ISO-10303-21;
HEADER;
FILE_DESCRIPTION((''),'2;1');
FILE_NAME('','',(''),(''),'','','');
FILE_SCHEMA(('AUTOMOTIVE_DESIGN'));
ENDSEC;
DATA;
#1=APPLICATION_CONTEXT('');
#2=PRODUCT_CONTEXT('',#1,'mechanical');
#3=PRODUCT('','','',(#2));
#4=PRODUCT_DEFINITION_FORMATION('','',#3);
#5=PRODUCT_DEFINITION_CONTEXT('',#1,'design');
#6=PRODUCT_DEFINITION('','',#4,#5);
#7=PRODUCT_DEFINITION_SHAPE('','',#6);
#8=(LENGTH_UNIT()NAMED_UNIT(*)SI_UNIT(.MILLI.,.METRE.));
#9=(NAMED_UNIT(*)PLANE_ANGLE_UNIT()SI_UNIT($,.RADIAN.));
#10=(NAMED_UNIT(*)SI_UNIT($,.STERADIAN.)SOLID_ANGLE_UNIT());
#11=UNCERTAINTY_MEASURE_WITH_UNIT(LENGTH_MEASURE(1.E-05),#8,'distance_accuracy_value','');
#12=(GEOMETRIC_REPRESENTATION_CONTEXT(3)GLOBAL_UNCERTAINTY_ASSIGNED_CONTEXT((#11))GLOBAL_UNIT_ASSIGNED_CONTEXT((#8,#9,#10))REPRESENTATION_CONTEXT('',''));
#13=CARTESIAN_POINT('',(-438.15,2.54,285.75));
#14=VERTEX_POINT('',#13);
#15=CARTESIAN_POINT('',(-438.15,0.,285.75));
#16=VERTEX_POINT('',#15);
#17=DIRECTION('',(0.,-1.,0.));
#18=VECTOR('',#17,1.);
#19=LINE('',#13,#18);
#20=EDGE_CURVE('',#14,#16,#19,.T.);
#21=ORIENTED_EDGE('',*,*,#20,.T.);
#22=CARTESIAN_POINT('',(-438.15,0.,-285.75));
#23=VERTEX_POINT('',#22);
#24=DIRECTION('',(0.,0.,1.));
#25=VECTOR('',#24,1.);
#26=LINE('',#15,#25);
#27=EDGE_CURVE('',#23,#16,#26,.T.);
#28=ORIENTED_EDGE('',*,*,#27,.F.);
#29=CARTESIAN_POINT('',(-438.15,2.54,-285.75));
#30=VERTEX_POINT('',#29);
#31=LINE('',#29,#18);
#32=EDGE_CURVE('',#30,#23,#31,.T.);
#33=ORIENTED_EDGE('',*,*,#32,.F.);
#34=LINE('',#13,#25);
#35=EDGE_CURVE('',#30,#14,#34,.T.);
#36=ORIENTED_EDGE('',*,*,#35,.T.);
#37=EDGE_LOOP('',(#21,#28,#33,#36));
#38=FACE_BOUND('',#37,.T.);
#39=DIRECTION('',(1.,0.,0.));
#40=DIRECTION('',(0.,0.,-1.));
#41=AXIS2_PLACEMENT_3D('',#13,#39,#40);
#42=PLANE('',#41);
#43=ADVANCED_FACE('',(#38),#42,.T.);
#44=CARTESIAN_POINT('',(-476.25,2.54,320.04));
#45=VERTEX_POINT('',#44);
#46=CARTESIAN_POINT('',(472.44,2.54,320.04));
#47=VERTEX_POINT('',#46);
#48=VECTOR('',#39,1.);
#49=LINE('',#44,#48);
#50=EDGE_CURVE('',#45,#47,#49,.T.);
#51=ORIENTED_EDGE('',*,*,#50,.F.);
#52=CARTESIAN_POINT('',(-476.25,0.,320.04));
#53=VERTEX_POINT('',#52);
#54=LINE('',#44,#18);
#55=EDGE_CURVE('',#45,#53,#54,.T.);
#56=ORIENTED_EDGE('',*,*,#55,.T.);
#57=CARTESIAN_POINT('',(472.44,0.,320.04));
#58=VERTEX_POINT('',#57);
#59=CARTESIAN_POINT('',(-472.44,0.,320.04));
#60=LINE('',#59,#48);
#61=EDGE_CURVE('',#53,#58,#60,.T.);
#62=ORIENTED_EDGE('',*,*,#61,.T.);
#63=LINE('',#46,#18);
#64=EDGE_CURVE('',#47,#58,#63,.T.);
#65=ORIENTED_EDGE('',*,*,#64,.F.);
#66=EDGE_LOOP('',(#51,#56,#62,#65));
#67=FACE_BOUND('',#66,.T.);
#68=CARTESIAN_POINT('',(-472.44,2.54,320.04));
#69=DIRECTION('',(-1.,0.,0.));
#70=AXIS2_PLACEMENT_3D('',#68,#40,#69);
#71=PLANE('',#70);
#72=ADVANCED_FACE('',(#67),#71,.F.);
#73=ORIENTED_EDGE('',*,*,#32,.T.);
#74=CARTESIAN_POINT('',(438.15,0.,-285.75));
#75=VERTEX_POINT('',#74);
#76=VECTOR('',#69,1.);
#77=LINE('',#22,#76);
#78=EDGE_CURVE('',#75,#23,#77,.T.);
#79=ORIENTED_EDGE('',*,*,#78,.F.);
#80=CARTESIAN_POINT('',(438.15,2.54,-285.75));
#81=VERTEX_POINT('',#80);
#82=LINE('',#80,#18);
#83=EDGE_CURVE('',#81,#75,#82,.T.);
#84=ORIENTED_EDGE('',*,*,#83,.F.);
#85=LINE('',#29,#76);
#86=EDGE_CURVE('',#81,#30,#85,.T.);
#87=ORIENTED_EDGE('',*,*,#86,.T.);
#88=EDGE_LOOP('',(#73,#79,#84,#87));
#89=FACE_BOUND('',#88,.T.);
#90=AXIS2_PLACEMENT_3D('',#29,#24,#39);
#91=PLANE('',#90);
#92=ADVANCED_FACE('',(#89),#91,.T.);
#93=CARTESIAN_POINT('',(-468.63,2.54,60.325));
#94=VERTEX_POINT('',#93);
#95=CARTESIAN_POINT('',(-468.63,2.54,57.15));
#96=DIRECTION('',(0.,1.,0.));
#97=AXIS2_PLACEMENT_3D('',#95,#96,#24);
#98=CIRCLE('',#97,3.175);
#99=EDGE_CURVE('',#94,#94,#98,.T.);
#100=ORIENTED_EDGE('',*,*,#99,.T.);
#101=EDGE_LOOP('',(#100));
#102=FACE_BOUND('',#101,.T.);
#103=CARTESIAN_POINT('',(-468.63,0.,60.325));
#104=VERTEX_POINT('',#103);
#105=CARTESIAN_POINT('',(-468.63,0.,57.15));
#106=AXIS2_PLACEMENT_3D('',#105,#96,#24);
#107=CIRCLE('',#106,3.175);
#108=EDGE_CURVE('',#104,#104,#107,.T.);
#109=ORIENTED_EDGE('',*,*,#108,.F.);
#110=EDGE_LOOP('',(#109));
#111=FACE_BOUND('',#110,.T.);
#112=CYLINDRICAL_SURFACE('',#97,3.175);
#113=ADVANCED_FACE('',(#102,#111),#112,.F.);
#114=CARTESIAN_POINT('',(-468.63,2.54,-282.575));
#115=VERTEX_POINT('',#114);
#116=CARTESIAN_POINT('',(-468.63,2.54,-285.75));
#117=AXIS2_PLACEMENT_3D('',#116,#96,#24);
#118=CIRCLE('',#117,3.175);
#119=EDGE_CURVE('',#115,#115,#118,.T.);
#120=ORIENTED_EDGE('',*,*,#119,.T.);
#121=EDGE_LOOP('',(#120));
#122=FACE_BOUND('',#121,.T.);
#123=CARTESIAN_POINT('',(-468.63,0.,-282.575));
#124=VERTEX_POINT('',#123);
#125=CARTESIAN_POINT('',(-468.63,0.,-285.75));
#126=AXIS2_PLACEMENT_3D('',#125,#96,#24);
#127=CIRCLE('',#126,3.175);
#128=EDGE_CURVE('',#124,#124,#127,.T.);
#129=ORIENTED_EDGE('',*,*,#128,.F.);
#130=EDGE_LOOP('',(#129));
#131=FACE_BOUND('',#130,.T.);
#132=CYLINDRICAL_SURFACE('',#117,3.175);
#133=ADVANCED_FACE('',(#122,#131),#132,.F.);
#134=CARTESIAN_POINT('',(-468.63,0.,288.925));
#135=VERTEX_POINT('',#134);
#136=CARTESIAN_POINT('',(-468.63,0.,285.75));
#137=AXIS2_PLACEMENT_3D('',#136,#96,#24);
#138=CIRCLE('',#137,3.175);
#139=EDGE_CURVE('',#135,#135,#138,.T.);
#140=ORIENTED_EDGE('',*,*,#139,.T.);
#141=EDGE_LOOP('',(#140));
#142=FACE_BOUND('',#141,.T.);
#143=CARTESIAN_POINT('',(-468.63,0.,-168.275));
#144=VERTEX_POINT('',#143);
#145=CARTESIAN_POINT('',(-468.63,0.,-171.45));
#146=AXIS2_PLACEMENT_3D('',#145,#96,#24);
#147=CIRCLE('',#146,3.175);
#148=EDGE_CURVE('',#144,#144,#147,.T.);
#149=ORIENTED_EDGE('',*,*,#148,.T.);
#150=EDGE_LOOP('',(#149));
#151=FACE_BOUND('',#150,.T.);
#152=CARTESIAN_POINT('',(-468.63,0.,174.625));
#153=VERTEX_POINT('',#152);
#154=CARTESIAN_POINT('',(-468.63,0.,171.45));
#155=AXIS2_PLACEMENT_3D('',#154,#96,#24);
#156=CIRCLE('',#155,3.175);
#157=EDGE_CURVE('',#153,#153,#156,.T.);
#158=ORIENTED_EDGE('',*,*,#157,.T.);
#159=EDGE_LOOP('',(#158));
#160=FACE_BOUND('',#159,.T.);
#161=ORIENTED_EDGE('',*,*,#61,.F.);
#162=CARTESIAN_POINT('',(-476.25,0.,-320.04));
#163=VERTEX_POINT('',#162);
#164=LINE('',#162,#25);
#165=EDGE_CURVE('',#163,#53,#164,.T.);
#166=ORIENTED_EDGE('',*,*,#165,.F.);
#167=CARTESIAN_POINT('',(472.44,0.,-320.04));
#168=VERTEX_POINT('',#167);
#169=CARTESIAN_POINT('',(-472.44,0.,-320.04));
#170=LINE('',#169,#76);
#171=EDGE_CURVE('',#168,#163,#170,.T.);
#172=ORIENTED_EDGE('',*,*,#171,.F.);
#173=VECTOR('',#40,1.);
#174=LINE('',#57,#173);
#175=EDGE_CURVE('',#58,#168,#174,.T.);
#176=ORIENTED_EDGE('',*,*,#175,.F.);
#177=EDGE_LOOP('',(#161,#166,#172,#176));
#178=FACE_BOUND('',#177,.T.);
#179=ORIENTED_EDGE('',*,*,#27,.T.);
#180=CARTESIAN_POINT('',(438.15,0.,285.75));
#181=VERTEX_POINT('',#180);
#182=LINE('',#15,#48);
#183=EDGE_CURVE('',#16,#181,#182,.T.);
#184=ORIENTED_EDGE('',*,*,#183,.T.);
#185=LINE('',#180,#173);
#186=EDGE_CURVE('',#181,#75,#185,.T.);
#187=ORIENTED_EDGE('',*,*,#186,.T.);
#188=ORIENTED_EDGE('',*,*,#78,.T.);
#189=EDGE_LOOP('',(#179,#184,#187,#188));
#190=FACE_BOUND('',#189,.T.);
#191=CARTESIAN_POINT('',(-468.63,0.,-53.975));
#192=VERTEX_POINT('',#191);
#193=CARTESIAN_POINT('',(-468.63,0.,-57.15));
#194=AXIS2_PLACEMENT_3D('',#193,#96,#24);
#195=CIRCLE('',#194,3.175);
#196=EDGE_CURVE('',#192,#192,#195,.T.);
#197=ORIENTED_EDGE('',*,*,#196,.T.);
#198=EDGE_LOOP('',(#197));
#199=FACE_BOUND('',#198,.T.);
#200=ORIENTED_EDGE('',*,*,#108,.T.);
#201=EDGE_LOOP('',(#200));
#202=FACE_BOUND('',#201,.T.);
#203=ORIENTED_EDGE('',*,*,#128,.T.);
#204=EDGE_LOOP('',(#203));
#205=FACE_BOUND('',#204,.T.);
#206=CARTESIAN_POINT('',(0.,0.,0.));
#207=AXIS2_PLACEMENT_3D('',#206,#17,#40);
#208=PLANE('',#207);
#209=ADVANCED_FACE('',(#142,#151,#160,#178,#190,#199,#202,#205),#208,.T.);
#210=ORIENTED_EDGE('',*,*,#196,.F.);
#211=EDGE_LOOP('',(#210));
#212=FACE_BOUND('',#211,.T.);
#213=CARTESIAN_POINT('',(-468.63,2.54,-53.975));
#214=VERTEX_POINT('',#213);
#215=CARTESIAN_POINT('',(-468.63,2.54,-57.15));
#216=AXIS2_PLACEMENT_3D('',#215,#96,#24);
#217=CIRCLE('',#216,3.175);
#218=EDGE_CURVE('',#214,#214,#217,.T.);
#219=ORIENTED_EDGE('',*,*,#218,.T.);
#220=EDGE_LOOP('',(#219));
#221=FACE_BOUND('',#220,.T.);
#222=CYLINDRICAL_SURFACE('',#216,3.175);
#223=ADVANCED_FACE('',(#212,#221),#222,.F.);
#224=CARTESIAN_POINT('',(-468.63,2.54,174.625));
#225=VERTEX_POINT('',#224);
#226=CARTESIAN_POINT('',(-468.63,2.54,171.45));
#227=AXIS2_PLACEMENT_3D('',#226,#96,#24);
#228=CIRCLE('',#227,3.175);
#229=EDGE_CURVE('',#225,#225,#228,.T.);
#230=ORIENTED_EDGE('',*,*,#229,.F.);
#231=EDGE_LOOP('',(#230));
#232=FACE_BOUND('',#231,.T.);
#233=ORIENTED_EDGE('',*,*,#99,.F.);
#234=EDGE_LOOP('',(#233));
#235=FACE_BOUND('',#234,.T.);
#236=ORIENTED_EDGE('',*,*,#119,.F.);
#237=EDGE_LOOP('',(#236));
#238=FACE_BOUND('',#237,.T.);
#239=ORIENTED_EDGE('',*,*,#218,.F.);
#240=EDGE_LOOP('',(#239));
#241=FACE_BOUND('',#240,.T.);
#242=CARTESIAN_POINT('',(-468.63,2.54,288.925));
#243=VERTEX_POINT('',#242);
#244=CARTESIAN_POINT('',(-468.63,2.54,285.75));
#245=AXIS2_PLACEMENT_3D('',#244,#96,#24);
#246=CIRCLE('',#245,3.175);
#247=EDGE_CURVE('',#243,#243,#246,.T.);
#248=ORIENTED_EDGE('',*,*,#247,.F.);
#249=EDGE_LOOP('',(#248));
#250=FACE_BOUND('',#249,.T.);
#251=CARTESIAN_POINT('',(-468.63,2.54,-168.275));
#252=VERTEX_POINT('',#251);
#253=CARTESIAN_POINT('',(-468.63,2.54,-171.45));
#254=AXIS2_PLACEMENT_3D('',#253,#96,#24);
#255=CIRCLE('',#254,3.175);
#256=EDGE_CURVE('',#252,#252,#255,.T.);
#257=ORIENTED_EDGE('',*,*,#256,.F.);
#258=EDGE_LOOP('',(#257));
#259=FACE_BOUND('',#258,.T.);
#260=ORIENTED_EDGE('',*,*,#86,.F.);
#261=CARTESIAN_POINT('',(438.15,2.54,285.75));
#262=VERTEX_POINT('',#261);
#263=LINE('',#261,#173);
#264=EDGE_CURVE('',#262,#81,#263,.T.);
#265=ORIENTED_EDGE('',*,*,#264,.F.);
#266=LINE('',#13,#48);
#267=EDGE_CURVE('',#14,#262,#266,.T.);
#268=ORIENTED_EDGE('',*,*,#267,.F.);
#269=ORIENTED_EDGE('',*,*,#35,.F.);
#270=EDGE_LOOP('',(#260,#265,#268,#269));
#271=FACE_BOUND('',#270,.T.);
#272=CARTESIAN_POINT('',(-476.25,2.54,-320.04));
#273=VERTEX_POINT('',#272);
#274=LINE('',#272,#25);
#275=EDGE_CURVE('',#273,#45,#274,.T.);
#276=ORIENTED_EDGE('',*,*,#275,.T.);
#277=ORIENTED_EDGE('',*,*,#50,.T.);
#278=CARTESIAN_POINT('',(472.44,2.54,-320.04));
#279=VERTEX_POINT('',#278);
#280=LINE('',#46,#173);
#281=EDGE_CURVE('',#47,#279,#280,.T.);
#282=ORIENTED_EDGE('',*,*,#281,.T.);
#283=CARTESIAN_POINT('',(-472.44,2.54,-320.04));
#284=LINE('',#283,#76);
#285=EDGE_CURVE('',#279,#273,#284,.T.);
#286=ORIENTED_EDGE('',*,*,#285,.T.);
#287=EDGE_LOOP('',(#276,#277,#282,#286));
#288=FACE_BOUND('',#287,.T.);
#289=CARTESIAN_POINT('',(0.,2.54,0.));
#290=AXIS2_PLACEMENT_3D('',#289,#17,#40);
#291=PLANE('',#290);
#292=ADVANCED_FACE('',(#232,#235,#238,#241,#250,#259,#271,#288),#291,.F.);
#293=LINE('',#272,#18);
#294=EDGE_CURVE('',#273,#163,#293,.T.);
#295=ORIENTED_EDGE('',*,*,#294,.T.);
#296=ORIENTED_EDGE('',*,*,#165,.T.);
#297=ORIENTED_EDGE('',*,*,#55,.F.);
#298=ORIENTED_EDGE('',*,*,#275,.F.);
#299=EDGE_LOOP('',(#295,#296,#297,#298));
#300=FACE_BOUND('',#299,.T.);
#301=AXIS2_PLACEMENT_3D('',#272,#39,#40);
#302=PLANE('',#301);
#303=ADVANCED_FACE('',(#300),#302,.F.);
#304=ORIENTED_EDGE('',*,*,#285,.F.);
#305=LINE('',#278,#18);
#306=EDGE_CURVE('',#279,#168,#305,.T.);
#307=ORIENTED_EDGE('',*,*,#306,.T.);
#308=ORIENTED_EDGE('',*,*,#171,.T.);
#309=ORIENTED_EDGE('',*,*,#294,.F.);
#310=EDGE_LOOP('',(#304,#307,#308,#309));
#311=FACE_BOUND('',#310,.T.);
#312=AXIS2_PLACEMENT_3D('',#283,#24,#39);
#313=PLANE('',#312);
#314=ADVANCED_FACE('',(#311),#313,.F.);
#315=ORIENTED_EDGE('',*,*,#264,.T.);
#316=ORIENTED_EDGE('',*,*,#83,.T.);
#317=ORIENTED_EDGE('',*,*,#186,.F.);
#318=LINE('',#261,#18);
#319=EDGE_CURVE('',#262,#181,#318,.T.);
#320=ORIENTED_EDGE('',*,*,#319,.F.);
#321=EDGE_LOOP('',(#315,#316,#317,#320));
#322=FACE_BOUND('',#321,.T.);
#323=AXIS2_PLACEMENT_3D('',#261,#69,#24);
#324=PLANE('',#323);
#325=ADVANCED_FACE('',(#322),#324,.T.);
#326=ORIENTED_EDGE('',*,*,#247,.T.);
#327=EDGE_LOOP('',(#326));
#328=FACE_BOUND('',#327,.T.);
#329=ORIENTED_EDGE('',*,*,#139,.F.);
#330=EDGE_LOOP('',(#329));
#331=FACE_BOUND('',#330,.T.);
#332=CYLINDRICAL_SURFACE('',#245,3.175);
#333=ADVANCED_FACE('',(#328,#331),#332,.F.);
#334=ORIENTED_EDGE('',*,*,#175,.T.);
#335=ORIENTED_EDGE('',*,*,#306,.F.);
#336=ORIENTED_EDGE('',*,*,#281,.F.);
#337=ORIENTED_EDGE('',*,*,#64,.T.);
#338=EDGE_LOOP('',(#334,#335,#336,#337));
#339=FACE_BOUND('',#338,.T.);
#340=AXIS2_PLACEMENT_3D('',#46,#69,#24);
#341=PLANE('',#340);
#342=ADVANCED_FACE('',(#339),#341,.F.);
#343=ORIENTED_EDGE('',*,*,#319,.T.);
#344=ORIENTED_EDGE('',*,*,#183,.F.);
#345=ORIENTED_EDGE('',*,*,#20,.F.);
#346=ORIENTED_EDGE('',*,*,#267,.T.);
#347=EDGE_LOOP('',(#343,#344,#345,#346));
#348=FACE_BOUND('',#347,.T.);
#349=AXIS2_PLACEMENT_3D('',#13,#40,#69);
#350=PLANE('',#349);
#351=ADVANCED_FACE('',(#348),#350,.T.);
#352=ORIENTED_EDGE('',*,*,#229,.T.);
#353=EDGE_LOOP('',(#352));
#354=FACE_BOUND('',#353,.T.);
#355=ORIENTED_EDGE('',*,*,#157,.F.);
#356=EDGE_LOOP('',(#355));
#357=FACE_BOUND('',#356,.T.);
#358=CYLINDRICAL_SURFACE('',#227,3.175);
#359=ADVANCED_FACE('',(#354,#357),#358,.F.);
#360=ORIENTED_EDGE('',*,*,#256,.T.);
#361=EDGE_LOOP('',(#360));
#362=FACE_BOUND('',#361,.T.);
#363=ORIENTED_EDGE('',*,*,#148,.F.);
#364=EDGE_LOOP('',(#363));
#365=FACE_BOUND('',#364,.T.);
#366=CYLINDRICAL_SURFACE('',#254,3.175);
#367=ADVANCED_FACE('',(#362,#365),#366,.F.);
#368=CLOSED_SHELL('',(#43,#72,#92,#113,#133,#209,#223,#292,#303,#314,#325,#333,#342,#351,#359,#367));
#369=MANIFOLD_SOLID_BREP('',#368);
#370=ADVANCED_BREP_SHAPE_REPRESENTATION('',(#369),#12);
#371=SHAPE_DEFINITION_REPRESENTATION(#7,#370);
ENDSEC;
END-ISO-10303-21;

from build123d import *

# Parameters (mm, degrees)
SKETCH1_W                   = 876.3
SKETCH1_H                   = 571.5
BOSS_EXTRUDE1_DEPTH         = 2.54
F_1_4_0_25_DIAMETER_HOLE1_D = 6.35
LPATTERN1_COUNT             = 6
LPATTERN1_PITCH             = 114.3


with BuildPart() as part:
    # Sketch1 → Boss-Extrude1 (new body)
    with BuildSketch(Plane(origin=(0, 0, 0), x_dir=(1, 0, 0), z_dir=(0, 1, 0))):
        Polygon((-472.44, -320.04), (472.44, -320.04), (472.44, 320.04), (-472.44, 320.04), (-476.25, 320.04), (-476.25, -320.04), align=None)
        Rectangle(SKETCH1_W, SKETCH1_H, mode=Mode.SUBTRACT)
    extrude(amount=BOSS_EXTRUDE1_DEPTH)

    # 1/4 (0.25) Diameter Hole1 (through all)
    with Locations(Plane(origin=(-468.63, 2.54, -285.75), x_dir=(0, 0, 1), z_dir=(0, 1, 0))):
        with Locations((0, 0)):
            f_1_4_0_25_diameter_hole1 = Hole(F_1_4_0_25_DIAMETER_HOLE1_D / 2)

    # LPattern1: 1/4 (0.25) Diameter Hole1 ×6
    with Locations(*[(0, 0, i * LPATTERN1_PITCH) for i in range(1, LPATTERN1_COUNT)]):
        add(f_1_4_0_25_diameter_hole1, mode=Mode.SUBTRACT)


solid = part.part
